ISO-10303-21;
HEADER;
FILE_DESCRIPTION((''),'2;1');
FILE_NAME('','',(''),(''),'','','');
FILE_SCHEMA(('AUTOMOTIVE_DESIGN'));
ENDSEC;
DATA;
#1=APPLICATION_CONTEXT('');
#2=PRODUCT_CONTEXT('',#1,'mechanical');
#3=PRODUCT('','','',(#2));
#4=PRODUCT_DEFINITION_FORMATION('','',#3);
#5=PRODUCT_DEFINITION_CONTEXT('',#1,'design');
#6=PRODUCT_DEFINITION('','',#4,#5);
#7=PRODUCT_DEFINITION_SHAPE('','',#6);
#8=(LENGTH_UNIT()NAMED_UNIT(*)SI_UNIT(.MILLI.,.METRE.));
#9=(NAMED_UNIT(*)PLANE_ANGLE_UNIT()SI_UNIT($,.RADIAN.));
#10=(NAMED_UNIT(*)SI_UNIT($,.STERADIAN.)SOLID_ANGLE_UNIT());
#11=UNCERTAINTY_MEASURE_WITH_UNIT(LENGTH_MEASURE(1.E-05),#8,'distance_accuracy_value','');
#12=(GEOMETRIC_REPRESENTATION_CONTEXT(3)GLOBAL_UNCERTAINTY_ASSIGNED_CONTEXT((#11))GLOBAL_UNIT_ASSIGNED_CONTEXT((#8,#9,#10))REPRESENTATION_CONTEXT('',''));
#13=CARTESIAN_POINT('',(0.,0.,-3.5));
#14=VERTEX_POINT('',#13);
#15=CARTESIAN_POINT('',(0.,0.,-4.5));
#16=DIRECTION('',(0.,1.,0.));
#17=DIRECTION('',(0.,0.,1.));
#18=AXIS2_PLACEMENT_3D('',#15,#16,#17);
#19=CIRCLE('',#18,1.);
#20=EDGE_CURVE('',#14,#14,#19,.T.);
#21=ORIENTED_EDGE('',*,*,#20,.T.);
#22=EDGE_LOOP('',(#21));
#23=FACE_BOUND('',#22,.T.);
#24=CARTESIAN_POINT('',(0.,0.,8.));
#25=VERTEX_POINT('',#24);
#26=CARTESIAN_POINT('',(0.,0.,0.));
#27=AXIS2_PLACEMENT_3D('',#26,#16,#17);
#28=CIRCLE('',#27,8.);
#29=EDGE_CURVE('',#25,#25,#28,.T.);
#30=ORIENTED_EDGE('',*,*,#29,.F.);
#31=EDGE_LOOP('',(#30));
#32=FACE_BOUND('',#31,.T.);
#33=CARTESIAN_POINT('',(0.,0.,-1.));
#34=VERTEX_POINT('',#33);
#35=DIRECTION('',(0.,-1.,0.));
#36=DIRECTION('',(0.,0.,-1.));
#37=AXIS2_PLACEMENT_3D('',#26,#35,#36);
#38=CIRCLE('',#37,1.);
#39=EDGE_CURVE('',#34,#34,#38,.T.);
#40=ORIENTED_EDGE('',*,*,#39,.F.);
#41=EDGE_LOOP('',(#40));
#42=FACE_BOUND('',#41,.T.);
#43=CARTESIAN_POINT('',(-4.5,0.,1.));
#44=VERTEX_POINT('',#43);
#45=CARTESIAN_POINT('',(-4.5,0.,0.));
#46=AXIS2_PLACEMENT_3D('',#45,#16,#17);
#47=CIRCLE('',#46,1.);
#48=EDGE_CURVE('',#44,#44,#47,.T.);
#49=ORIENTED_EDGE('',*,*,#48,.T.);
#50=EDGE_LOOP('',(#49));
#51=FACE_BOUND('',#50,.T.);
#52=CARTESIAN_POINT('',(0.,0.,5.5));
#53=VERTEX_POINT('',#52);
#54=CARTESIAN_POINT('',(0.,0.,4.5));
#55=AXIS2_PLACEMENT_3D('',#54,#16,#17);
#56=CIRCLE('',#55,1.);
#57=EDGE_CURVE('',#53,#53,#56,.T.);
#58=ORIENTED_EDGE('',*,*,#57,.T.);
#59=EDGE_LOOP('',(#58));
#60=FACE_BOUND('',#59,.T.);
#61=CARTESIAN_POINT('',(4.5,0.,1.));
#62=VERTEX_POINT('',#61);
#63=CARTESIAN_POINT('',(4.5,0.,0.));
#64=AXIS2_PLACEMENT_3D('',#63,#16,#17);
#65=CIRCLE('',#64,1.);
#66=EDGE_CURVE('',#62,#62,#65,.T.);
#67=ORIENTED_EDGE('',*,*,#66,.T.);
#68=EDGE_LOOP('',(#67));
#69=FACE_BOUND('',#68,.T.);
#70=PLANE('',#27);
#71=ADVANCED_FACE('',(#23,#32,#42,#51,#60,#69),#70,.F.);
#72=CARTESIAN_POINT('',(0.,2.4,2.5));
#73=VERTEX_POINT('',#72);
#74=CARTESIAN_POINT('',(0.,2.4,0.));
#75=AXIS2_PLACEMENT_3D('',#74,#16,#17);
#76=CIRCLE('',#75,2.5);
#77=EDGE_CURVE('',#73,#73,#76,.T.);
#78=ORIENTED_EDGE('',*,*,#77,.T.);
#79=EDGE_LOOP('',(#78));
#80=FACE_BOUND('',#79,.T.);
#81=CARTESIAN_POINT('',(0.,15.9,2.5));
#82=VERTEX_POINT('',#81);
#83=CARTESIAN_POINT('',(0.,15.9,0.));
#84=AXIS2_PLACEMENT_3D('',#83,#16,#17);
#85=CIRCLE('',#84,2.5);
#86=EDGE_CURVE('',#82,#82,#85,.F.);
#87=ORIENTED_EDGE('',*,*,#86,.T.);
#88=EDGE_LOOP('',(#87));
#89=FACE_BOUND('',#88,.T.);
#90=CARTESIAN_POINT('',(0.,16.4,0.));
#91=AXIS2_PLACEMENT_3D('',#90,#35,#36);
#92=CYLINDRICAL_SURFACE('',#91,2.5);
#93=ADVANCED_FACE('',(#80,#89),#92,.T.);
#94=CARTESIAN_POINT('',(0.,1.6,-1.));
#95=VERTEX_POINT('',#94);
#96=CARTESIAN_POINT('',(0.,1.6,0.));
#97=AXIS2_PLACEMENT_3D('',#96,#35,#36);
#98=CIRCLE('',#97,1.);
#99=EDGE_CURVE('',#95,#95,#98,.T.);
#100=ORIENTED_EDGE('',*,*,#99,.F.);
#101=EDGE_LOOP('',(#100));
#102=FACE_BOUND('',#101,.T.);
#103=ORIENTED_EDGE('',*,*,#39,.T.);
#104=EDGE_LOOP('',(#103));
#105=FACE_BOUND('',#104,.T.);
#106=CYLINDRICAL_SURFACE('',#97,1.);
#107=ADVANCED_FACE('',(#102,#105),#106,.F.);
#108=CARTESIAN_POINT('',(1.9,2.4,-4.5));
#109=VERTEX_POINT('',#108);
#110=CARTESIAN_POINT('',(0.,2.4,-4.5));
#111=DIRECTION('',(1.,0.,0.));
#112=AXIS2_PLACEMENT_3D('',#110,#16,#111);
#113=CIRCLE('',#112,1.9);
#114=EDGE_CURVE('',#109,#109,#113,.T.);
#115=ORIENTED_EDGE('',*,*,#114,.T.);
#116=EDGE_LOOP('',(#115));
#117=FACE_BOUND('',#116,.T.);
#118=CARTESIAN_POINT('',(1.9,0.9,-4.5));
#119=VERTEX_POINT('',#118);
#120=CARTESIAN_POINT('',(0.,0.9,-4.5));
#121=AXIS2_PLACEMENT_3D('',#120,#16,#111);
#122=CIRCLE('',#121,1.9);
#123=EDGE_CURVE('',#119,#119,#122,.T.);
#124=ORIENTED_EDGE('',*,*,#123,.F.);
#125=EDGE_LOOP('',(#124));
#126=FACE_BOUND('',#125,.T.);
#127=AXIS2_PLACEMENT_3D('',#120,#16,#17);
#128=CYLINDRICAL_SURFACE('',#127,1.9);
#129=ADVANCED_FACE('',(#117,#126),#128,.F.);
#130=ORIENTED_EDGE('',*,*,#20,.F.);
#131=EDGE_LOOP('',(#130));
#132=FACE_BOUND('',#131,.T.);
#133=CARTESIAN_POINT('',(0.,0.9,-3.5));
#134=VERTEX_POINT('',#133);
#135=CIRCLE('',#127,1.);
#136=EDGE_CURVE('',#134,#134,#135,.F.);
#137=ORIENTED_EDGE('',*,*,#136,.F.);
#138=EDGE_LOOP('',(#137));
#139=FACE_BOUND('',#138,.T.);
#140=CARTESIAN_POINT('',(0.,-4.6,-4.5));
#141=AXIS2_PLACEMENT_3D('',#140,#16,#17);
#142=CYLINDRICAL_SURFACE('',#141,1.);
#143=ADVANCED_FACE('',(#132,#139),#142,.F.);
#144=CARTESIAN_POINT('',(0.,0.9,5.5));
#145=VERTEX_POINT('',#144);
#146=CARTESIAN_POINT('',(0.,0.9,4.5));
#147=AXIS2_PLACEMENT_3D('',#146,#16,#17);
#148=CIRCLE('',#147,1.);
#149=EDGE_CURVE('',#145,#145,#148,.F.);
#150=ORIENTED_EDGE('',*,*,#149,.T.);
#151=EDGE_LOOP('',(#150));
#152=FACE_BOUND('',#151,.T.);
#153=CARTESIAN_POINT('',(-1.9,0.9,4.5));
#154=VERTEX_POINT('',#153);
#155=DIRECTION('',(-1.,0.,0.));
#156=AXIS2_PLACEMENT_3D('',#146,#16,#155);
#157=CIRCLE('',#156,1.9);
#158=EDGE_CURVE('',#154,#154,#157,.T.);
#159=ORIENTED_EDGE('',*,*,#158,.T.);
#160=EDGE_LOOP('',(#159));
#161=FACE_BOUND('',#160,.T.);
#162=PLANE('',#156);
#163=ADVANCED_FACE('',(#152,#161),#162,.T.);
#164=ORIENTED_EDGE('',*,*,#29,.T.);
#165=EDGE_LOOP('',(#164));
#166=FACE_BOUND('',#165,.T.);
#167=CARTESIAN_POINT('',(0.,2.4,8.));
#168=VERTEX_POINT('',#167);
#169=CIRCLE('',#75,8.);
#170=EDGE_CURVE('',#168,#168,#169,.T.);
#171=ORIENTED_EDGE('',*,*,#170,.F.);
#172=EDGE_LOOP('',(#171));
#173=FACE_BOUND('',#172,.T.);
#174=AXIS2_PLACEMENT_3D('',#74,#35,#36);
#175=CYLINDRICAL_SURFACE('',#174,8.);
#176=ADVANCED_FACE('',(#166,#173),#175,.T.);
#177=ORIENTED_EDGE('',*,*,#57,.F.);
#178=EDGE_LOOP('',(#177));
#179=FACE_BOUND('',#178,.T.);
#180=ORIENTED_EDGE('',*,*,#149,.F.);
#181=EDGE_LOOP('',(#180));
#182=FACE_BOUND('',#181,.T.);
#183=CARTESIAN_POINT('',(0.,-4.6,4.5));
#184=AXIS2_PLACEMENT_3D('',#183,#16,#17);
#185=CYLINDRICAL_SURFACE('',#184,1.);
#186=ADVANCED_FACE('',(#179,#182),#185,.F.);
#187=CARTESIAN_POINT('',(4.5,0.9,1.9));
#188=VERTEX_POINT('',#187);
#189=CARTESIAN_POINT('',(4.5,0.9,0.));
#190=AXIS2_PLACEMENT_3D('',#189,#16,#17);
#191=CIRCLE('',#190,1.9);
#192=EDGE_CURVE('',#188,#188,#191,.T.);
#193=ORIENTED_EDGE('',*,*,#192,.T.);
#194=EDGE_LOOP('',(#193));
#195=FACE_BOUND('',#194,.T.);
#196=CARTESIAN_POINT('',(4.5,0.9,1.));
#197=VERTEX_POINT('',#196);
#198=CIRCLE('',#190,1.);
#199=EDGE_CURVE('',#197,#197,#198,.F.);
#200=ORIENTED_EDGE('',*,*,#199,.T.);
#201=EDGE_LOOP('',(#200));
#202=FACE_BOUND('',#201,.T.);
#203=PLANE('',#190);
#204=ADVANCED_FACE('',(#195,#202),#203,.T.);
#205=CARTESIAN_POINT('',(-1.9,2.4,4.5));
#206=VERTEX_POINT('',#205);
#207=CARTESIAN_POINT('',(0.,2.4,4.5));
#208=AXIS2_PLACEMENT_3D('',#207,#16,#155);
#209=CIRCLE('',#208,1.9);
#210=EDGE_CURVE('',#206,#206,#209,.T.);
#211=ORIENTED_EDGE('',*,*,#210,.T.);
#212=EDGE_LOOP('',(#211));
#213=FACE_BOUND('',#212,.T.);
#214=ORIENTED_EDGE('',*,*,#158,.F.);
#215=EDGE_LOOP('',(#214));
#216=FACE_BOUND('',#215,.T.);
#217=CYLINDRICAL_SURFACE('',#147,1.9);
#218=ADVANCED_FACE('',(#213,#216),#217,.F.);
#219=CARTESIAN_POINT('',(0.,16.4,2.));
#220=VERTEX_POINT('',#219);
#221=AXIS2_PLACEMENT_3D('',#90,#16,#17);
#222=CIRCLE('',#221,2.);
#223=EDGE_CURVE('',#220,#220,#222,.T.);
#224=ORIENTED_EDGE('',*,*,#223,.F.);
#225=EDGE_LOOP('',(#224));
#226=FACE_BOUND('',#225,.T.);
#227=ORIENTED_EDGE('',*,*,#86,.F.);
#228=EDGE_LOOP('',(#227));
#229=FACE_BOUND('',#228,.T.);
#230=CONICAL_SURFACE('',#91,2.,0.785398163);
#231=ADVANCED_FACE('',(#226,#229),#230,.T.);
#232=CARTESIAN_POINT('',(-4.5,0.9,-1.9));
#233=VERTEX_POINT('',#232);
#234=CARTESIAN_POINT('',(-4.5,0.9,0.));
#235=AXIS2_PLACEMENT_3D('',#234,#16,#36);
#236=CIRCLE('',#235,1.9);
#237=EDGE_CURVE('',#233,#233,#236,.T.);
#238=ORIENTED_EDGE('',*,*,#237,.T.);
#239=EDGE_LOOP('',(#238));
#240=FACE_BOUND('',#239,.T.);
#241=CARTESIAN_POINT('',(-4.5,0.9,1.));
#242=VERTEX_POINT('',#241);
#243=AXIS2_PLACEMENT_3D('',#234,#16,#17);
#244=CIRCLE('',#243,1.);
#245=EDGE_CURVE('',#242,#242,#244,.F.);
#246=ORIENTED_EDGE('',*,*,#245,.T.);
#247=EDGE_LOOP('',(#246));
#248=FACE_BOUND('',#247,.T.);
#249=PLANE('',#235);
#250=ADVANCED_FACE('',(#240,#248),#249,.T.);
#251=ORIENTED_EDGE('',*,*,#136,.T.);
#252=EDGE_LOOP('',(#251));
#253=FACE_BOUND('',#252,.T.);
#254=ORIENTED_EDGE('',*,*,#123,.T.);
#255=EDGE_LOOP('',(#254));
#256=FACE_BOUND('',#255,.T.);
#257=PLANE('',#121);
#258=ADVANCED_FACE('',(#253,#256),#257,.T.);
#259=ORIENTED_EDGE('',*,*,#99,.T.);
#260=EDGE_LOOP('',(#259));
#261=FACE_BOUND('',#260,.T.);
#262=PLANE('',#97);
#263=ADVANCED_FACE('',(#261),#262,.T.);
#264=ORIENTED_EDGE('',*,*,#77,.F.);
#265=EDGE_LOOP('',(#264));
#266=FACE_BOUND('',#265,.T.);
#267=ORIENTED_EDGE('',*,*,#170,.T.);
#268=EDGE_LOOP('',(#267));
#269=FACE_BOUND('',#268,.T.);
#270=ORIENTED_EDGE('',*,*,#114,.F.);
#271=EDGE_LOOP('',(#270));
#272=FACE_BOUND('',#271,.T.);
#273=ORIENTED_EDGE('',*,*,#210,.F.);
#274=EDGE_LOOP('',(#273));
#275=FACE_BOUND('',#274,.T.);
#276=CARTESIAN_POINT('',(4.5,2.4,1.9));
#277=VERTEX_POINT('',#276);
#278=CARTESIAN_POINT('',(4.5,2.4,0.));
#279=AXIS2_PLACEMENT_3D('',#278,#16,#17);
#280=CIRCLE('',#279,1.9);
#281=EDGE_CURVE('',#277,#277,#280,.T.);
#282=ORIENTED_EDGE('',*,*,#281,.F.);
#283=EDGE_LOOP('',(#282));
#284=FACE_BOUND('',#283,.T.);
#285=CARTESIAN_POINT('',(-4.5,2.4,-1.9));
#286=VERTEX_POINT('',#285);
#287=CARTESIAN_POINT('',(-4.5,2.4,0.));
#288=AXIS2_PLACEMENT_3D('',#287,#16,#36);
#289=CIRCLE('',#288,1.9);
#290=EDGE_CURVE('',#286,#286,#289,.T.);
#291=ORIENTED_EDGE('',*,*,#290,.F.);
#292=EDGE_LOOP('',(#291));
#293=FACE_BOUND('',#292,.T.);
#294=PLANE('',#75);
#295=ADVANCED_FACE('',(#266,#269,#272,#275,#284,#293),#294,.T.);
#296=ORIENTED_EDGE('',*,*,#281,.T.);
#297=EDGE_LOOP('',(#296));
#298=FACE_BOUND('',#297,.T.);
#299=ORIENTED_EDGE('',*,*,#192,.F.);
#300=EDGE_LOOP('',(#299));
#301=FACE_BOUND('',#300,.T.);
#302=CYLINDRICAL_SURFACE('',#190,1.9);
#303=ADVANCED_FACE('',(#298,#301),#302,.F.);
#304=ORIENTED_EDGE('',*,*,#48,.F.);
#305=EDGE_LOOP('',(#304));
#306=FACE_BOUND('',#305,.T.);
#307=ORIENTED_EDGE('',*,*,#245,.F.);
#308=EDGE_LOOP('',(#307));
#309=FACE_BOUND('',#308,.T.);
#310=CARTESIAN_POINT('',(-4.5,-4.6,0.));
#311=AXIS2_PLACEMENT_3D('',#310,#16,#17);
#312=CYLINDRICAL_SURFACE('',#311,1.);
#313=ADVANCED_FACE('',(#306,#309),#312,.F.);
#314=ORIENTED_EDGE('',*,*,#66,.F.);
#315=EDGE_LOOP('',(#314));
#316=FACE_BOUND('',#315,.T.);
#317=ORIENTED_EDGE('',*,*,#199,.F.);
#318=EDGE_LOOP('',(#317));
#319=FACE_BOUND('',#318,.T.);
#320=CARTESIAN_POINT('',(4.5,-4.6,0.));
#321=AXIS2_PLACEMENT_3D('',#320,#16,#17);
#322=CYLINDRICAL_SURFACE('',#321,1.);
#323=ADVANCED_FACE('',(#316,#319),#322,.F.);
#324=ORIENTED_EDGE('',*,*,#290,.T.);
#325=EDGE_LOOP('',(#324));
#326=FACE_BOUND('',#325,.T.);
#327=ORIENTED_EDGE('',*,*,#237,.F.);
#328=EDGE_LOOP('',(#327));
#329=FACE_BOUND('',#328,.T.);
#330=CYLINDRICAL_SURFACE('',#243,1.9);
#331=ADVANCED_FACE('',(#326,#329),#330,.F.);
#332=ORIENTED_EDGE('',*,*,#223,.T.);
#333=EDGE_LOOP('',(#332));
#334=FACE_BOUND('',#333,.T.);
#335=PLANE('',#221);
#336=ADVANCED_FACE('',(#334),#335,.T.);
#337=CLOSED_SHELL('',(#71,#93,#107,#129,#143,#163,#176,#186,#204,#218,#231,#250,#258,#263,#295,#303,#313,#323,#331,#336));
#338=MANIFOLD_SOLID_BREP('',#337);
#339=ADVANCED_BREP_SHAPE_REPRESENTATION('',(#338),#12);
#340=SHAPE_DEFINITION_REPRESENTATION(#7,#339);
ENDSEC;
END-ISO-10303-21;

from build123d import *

# Parameters (mm, degrees)
ESQUISSE1_R                  = 8
BOSS_EXTRU_1_DEPTH           = 2.4
ESQUISSE2_R                  = 2.5
BOSS_EXTRU_2_DEPTH           = 14
ESQUISSE3_R                  = 1
ENL_V_MAT_EXTRU_1_DEPTH      = 7
ESQUISSE4_R                  = 1.9
ENL_V_MAT_EXTRU_2_DEPTH      = 1.5
R_P_TITION_CIRCULAIRE2_COUNT = 4
CHANFREIN1_SIZE              = 0.5
ESQUISSE5_R                  = 1
ENL_V_MAT_EXTRU_3_DEPTH      = 1.6


with BuildPart() as part:
    # Esquisse1 → Boss.-Extru.1 (new body)
    with BuildSketch(Plane(origin=(0, 0, 0), x_dir=(1, 0, 0), z_dir=(0, 1, 0))):
        with Locations(Location((0, 0, 0), (0, 0, 270))):
            Circle(ESQUISSE1_R)
    extrude(amount=BOSS_EXTRU_1_DEPTH)

    # Esquisse2 → Boss.-Extru.2 (add)
    with BuildSketch(Plane(origin=(0, 2.4, 0), x_dir=(1, 0, 0), z_dir=(0, 1, 0))):
        with Locations(Location((0, 0, 0), (0, 0, 270))):
            Circle(ESQUISSE2_R)
    extrude(amount=BOSS_EXTRU_2_DEPTH)

    # Esquisse3 → Enlèv. mat.-Extru.1 (cut)
    with BuildSketch(Plane(origin=(0, 2.4, 0), x_dir=(1, 0, 0), z_dir=(0, 1, 0))):
        with Locations(Location((4.5, 0, 0), (0, 0, 270))):
            Circle(ESQUISSE3_R)
    enl_v_mat_extru_1 = extrude(amount=-ENL_V_MAT_EXTRU_1_DEPTH, mode=Mode.SUBTRACT)

    # Esquisse4 → Enlèv. mat.-Extru.2 (cut)
    with BuildSketch(Plane(origin=(0, 2.4, 0), x_dir=(1, 0, 0), z_dir=(0, 1, 0))):
        with Locations(Location((4.5, 0, 0), (0, 0, 270))):
            Circle(ESQUISSE4_R)
    enl_v_mat_extru_2 = extrude(amount=-ENL_V_MAT_EXTRU_2_DEPTH, mode=Mode.SUBTRACT)

    # Répétition circulaire2: Enlèv. mat.-Extru.1, Enlèv. mat.-Extru.2 ×4 about axis
    r_p_tition_circulaire2_axis = Axis((0, 0, 0), (0, 1, 0))
    add([enl_v_mat_extru_1.rotate(r_p_tition_circulaire2_axis, i * 360 / R_P_TITION_CIRCULAIRE2_COUNT) for i in range(1, R_P_TITION_CIRCULAIRE2_COUNT)], mode=Mode.SUBTRACT)
    add([enl_v_mat_extru_2.rotate(r_p_tition_circulaire2_axis, i * 360 / R_P_TITION_CIRCULAIRE2_COUNT) for i in range(1, R_P_TITION_CIRCULAIRE2_COUNT)], mode=Mode.SUBTRACT)

    # Chanfrein1
    chanfrein1_edges = [part.edges().sort_by_distance(p)[0] for p in [
        (0, 16.4, -2.5),
    ]]
    chamfer(chanfrein1_edges, length=CHANFREIN1_SIZE)

    # Esquisse5 → Enlèv. mat.-Extru.3 (cut)
    with BuildSketch(Plane.XZ):
        with Locations(Location((0, 0, 0), (0, 0, 270))):
            Circle(ESQUISSE5_R)
    extrude(amount=-ENL_V_MAT_EXTRU_3_DEPTH, mode=Mode.SUBTRACT)


solid = part.part
